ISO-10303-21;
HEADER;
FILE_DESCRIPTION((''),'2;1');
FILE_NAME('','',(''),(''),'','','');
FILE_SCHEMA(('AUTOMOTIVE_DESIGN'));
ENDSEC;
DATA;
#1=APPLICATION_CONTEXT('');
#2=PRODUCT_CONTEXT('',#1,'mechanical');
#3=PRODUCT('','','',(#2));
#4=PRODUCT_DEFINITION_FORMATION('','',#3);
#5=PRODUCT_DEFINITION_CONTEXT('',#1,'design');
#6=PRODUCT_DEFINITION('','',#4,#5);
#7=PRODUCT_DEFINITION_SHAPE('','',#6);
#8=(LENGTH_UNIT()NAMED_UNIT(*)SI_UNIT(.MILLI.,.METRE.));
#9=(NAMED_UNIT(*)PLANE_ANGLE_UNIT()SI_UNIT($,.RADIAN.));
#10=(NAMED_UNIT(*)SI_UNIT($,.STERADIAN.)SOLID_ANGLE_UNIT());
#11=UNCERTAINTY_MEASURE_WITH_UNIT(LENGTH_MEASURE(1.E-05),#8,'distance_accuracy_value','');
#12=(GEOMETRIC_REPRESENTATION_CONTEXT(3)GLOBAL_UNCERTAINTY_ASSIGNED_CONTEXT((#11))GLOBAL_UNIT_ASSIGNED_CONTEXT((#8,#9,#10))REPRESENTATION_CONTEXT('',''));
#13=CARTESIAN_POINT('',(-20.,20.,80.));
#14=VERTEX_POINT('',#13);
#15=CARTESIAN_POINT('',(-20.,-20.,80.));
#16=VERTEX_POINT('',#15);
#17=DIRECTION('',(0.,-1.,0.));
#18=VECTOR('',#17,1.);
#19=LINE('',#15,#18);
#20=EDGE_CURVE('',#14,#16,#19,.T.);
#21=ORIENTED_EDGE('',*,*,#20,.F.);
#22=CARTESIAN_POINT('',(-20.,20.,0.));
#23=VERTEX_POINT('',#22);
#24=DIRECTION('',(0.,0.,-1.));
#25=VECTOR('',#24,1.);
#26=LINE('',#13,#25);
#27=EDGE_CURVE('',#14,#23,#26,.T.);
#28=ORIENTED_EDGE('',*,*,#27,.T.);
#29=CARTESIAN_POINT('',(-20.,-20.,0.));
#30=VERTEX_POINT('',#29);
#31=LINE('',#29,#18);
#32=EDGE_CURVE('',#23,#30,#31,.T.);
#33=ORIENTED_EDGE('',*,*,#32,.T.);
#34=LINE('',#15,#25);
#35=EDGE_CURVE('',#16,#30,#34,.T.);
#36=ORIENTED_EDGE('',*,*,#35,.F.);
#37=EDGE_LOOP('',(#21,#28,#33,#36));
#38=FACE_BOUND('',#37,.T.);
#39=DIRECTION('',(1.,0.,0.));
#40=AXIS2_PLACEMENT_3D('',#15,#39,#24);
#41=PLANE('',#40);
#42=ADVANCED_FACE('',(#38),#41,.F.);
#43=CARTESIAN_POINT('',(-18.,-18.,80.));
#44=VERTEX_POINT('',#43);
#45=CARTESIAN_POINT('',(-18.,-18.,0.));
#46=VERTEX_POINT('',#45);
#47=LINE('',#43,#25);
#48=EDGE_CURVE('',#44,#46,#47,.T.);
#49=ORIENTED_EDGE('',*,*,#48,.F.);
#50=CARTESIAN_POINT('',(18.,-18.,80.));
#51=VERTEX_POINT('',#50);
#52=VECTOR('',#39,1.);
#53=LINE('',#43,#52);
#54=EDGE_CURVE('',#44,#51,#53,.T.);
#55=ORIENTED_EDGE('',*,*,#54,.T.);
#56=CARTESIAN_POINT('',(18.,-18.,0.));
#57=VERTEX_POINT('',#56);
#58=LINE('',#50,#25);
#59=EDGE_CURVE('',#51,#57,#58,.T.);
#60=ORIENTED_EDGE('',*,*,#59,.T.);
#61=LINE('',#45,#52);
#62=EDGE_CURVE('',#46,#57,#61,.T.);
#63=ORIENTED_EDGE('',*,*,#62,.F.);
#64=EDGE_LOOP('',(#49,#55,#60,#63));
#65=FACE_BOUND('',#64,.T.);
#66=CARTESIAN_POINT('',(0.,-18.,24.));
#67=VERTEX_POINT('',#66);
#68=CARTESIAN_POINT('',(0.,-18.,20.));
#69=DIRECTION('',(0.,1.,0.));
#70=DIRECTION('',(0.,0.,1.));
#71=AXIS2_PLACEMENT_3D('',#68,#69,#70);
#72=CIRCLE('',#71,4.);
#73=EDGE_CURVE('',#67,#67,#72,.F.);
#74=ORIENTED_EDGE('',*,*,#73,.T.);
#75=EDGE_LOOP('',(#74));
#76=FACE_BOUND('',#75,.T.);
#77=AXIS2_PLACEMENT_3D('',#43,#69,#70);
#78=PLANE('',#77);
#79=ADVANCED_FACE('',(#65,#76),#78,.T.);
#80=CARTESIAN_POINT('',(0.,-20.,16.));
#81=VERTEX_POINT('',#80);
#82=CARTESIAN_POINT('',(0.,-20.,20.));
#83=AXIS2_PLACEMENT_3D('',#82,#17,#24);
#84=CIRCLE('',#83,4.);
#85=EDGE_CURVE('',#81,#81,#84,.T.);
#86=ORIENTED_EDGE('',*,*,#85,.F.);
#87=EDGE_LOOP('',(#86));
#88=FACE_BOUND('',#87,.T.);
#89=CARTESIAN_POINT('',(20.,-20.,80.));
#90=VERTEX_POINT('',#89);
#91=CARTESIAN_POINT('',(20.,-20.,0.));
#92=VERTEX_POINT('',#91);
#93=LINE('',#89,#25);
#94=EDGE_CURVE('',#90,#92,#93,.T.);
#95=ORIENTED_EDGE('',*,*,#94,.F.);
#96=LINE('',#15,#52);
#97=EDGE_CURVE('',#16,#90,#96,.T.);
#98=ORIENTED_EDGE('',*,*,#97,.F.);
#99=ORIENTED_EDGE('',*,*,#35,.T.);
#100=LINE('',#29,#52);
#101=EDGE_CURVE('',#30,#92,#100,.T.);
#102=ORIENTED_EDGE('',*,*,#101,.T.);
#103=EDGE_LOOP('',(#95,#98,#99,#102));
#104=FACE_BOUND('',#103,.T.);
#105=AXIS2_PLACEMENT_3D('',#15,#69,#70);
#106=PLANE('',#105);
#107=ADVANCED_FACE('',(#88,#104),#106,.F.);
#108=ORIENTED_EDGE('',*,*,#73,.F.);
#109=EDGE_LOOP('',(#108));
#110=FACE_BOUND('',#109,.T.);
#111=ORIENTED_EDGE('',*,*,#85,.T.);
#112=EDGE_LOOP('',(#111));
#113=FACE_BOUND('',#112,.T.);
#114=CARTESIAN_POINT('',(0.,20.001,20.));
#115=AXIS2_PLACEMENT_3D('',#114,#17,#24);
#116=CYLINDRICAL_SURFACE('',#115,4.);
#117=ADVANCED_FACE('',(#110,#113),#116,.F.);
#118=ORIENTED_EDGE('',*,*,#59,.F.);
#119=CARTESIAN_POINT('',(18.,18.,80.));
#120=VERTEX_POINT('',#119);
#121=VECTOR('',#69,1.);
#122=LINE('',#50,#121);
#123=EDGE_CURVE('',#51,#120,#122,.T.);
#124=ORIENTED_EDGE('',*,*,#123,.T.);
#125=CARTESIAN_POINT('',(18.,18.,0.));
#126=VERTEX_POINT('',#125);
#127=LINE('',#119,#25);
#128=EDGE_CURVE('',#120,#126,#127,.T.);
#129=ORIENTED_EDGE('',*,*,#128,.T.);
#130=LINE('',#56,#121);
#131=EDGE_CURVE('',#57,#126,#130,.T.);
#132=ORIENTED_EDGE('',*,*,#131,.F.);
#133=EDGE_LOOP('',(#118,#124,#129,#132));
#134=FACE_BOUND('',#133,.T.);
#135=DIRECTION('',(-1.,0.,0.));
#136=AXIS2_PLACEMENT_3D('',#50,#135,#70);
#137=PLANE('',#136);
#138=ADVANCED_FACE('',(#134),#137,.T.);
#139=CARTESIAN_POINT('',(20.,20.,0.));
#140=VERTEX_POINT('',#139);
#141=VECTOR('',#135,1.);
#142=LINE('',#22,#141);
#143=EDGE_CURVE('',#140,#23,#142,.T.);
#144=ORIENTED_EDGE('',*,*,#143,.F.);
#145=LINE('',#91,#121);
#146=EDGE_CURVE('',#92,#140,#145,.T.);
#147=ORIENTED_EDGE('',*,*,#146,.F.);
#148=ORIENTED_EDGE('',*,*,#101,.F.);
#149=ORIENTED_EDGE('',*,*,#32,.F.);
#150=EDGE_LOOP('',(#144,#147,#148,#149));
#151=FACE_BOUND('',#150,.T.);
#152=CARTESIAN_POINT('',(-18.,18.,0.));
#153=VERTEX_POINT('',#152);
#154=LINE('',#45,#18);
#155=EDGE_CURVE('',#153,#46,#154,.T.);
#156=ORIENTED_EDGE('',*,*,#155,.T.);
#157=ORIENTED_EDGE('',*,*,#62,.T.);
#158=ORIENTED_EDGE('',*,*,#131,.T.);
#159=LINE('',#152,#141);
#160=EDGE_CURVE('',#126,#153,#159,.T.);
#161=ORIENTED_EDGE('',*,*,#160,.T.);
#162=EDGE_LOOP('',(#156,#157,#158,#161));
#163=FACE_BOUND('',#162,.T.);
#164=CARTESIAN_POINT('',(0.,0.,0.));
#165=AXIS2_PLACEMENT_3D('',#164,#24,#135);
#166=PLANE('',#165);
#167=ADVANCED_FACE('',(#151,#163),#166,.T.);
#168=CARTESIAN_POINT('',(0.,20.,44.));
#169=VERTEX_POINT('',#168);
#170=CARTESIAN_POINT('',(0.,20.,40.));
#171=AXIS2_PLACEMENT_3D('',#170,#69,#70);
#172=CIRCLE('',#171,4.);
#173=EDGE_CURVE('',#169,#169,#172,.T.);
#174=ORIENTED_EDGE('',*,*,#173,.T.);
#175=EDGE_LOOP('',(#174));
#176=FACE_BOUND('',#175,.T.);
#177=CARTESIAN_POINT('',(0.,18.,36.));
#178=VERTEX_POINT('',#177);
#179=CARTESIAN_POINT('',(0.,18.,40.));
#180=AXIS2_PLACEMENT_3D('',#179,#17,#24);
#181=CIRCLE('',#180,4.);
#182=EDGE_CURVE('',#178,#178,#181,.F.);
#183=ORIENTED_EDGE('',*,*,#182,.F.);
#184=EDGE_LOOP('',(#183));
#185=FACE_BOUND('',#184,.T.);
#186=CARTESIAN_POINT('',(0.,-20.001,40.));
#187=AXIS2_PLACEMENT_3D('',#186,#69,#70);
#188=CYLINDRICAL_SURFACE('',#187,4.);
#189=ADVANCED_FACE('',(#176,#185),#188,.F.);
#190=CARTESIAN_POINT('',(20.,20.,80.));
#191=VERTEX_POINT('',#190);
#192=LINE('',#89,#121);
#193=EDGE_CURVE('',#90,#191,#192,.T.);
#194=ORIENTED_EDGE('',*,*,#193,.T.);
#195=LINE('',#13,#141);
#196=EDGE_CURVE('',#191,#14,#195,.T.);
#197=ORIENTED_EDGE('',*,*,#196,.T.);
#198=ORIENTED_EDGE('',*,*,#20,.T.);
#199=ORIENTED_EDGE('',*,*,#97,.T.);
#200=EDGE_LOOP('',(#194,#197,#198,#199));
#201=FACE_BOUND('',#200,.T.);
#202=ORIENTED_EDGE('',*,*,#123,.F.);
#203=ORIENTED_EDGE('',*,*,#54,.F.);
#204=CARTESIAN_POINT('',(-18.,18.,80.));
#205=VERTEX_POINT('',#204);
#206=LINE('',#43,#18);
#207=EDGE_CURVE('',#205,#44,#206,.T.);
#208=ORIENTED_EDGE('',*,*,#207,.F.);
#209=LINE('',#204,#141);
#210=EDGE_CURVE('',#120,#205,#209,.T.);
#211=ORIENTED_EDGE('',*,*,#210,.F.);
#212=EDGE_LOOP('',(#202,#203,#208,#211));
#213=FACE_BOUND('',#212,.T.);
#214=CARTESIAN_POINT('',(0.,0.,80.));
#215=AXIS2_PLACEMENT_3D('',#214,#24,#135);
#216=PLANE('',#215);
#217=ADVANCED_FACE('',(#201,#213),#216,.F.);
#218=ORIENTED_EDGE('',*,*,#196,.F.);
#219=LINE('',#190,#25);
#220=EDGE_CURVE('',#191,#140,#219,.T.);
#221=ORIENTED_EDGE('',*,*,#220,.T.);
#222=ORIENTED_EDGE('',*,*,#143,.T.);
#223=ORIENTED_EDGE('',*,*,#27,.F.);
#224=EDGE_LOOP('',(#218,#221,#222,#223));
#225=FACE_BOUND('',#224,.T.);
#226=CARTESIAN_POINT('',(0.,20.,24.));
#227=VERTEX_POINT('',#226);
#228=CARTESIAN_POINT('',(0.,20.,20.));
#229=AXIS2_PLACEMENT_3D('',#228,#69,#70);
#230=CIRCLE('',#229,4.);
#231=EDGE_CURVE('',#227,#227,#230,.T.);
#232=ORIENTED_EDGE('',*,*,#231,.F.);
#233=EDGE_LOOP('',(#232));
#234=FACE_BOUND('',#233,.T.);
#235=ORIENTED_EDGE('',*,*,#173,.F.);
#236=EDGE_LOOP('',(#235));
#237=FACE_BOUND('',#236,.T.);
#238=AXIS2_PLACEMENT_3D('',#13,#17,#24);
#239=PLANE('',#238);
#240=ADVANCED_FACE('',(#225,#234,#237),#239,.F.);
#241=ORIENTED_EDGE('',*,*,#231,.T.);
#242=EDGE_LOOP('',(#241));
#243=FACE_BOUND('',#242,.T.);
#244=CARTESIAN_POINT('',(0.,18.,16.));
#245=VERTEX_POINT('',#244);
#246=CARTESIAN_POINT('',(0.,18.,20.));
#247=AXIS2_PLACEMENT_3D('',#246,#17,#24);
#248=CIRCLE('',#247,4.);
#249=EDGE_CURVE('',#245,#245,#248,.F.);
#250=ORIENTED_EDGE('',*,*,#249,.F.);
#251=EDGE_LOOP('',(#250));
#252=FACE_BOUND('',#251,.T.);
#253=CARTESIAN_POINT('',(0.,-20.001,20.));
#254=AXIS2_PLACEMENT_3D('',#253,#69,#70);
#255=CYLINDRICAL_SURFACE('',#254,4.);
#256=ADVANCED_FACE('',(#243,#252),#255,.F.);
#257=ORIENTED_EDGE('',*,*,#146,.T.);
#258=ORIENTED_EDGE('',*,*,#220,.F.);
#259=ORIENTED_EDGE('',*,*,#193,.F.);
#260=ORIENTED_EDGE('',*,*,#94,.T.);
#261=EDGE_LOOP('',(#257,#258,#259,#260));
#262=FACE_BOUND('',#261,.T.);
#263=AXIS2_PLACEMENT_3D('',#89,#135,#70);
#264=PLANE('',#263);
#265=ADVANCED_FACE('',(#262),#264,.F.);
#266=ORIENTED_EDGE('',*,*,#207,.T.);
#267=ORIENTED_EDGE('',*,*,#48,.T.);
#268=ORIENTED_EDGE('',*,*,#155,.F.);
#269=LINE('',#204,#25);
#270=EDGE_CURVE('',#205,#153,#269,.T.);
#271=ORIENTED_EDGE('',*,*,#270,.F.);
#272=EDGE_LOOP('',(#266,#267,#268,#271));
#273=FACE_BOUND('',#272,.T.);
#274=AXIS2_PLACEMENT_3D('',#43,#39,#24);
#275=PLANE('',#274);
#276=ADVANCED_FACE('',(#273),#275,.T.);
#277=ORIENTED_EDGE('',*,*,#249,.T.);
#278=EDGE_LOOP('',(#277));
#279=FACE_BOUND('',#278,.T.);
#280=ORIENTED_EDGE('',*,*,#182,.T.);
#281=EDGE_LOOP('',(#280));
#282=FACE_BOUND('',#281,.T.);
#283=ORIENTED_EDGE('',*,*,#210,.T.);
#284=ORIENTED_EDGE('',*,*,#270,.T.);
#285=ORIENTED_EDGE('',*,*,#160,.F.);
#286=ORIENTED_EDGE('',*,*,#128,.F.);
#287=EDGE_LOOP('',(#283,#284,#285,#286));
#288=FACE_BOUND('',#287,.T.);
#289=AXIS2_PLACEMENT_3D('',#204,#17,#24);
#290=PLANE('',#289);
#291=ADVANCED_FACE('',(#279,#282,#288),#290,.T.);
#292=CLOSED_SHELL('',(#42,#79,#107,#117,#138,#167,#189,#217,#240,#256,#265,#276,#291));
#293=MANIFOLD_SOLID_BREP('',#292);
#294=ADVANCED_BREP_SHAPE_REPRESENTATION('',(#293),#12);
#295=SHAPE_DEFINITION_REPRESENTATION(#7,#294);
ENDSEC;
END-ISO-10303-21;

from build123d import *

# Parameters (mm, degrees)
SKETCH1_W           = 40
SKETCH1_H           = 40
SKETCH1_W_2         = 36
SKETCH1_H_2         = 36
BOSS_EXTRUDE1_DEPTH = 80
CUT_EXTRUDE1_REACH  = 93.652
SKETCH2_R           = 4
CUT_EXTRUDE2_REACH  = 93.652
SKETCH3_R           = 4


with BuildPart() as part:
    # Sketch1 → Boss-Extrude1 (new body)
    with BuildSketch(Plane.XY):
        Rectangle(SKETCH1_W, SKETCH1_H)
        Rectangle(SKETCH1_W_2, SKETCH1_H_2, mode=Mode.SUBTRACT)
    extrude(amount=BOSS_EXTRUDE1_DEPTH)

    # Sketch2 → Cut-Extrude1 (cut, up to next)
    with BuildSketch(Plane(origin=(0, 20, 0), x_dir=(1, 0, 0), z_dir=(0, 1, 0)), mode=Mode.PRIVATE) as cut_extrude1_sk1:
        with Locations(Location((0, -20, 0), (0, 0, 270))):
            Circle(SKETCH2_R)
    cut_extrude1_tool1 = extrude(cut_extrude1_sk1.sketch, amount=-CUT_EXTRUDE1_REACH, mode=Mode.PRIVATE) & part.part
    # Sketch2 → Cut-Extrude1 (cut, up to next)
    with BuildSketch(Plane(origin=(0, 20, 0), x_dir=(1, 0, 0), z_dir=(0, 1, 0)), mode=Mode.PRIVATE) as cut_extrude1_sk2:
        with Locations(Location((0, -40, 0), (0, 0, 270))):
            Circle(SKETCH2_R)
    cut_extrude1_tool2 = extrude(cut_extrude1_sk2.sketch, amount=-CUT_EXTRUDE1_REACH, mode=Mode.PRIVATE) & part.part
    add(cut_extrude1_tool1.solids().sort_by_distance((0, 20, 20))[0], mode=Mode.SUBTRACT)
    add(cut_extrude1_tool2.solids().sort_by_distance((0, 20, 40))[0], mode=Mode.SUBTRACT)

    # Sketch3 → Cut-Extrude2 (cut, up to next)
    with BuildSketch(Plane.XZ.offset(20), mode=Mode.PRIVATE) as cut_extrude2_sk1:
        with Locations(Location((0, 20, 0), (0, 0, 90))):
            Circle(SKETCH3_R)
    cut_extrude2_tool1 = extrude(cut_extrude2_sk1.sketch, amount=-CUT_EXTRUDE2_REACH, mode=Mode.PRIVATE) & part.part
    add(cut_extrude2_tool1.solids().sort_by_distance((0, -20, 20))[0], mode=Mode.SUBTRACT)


solid = part.part
